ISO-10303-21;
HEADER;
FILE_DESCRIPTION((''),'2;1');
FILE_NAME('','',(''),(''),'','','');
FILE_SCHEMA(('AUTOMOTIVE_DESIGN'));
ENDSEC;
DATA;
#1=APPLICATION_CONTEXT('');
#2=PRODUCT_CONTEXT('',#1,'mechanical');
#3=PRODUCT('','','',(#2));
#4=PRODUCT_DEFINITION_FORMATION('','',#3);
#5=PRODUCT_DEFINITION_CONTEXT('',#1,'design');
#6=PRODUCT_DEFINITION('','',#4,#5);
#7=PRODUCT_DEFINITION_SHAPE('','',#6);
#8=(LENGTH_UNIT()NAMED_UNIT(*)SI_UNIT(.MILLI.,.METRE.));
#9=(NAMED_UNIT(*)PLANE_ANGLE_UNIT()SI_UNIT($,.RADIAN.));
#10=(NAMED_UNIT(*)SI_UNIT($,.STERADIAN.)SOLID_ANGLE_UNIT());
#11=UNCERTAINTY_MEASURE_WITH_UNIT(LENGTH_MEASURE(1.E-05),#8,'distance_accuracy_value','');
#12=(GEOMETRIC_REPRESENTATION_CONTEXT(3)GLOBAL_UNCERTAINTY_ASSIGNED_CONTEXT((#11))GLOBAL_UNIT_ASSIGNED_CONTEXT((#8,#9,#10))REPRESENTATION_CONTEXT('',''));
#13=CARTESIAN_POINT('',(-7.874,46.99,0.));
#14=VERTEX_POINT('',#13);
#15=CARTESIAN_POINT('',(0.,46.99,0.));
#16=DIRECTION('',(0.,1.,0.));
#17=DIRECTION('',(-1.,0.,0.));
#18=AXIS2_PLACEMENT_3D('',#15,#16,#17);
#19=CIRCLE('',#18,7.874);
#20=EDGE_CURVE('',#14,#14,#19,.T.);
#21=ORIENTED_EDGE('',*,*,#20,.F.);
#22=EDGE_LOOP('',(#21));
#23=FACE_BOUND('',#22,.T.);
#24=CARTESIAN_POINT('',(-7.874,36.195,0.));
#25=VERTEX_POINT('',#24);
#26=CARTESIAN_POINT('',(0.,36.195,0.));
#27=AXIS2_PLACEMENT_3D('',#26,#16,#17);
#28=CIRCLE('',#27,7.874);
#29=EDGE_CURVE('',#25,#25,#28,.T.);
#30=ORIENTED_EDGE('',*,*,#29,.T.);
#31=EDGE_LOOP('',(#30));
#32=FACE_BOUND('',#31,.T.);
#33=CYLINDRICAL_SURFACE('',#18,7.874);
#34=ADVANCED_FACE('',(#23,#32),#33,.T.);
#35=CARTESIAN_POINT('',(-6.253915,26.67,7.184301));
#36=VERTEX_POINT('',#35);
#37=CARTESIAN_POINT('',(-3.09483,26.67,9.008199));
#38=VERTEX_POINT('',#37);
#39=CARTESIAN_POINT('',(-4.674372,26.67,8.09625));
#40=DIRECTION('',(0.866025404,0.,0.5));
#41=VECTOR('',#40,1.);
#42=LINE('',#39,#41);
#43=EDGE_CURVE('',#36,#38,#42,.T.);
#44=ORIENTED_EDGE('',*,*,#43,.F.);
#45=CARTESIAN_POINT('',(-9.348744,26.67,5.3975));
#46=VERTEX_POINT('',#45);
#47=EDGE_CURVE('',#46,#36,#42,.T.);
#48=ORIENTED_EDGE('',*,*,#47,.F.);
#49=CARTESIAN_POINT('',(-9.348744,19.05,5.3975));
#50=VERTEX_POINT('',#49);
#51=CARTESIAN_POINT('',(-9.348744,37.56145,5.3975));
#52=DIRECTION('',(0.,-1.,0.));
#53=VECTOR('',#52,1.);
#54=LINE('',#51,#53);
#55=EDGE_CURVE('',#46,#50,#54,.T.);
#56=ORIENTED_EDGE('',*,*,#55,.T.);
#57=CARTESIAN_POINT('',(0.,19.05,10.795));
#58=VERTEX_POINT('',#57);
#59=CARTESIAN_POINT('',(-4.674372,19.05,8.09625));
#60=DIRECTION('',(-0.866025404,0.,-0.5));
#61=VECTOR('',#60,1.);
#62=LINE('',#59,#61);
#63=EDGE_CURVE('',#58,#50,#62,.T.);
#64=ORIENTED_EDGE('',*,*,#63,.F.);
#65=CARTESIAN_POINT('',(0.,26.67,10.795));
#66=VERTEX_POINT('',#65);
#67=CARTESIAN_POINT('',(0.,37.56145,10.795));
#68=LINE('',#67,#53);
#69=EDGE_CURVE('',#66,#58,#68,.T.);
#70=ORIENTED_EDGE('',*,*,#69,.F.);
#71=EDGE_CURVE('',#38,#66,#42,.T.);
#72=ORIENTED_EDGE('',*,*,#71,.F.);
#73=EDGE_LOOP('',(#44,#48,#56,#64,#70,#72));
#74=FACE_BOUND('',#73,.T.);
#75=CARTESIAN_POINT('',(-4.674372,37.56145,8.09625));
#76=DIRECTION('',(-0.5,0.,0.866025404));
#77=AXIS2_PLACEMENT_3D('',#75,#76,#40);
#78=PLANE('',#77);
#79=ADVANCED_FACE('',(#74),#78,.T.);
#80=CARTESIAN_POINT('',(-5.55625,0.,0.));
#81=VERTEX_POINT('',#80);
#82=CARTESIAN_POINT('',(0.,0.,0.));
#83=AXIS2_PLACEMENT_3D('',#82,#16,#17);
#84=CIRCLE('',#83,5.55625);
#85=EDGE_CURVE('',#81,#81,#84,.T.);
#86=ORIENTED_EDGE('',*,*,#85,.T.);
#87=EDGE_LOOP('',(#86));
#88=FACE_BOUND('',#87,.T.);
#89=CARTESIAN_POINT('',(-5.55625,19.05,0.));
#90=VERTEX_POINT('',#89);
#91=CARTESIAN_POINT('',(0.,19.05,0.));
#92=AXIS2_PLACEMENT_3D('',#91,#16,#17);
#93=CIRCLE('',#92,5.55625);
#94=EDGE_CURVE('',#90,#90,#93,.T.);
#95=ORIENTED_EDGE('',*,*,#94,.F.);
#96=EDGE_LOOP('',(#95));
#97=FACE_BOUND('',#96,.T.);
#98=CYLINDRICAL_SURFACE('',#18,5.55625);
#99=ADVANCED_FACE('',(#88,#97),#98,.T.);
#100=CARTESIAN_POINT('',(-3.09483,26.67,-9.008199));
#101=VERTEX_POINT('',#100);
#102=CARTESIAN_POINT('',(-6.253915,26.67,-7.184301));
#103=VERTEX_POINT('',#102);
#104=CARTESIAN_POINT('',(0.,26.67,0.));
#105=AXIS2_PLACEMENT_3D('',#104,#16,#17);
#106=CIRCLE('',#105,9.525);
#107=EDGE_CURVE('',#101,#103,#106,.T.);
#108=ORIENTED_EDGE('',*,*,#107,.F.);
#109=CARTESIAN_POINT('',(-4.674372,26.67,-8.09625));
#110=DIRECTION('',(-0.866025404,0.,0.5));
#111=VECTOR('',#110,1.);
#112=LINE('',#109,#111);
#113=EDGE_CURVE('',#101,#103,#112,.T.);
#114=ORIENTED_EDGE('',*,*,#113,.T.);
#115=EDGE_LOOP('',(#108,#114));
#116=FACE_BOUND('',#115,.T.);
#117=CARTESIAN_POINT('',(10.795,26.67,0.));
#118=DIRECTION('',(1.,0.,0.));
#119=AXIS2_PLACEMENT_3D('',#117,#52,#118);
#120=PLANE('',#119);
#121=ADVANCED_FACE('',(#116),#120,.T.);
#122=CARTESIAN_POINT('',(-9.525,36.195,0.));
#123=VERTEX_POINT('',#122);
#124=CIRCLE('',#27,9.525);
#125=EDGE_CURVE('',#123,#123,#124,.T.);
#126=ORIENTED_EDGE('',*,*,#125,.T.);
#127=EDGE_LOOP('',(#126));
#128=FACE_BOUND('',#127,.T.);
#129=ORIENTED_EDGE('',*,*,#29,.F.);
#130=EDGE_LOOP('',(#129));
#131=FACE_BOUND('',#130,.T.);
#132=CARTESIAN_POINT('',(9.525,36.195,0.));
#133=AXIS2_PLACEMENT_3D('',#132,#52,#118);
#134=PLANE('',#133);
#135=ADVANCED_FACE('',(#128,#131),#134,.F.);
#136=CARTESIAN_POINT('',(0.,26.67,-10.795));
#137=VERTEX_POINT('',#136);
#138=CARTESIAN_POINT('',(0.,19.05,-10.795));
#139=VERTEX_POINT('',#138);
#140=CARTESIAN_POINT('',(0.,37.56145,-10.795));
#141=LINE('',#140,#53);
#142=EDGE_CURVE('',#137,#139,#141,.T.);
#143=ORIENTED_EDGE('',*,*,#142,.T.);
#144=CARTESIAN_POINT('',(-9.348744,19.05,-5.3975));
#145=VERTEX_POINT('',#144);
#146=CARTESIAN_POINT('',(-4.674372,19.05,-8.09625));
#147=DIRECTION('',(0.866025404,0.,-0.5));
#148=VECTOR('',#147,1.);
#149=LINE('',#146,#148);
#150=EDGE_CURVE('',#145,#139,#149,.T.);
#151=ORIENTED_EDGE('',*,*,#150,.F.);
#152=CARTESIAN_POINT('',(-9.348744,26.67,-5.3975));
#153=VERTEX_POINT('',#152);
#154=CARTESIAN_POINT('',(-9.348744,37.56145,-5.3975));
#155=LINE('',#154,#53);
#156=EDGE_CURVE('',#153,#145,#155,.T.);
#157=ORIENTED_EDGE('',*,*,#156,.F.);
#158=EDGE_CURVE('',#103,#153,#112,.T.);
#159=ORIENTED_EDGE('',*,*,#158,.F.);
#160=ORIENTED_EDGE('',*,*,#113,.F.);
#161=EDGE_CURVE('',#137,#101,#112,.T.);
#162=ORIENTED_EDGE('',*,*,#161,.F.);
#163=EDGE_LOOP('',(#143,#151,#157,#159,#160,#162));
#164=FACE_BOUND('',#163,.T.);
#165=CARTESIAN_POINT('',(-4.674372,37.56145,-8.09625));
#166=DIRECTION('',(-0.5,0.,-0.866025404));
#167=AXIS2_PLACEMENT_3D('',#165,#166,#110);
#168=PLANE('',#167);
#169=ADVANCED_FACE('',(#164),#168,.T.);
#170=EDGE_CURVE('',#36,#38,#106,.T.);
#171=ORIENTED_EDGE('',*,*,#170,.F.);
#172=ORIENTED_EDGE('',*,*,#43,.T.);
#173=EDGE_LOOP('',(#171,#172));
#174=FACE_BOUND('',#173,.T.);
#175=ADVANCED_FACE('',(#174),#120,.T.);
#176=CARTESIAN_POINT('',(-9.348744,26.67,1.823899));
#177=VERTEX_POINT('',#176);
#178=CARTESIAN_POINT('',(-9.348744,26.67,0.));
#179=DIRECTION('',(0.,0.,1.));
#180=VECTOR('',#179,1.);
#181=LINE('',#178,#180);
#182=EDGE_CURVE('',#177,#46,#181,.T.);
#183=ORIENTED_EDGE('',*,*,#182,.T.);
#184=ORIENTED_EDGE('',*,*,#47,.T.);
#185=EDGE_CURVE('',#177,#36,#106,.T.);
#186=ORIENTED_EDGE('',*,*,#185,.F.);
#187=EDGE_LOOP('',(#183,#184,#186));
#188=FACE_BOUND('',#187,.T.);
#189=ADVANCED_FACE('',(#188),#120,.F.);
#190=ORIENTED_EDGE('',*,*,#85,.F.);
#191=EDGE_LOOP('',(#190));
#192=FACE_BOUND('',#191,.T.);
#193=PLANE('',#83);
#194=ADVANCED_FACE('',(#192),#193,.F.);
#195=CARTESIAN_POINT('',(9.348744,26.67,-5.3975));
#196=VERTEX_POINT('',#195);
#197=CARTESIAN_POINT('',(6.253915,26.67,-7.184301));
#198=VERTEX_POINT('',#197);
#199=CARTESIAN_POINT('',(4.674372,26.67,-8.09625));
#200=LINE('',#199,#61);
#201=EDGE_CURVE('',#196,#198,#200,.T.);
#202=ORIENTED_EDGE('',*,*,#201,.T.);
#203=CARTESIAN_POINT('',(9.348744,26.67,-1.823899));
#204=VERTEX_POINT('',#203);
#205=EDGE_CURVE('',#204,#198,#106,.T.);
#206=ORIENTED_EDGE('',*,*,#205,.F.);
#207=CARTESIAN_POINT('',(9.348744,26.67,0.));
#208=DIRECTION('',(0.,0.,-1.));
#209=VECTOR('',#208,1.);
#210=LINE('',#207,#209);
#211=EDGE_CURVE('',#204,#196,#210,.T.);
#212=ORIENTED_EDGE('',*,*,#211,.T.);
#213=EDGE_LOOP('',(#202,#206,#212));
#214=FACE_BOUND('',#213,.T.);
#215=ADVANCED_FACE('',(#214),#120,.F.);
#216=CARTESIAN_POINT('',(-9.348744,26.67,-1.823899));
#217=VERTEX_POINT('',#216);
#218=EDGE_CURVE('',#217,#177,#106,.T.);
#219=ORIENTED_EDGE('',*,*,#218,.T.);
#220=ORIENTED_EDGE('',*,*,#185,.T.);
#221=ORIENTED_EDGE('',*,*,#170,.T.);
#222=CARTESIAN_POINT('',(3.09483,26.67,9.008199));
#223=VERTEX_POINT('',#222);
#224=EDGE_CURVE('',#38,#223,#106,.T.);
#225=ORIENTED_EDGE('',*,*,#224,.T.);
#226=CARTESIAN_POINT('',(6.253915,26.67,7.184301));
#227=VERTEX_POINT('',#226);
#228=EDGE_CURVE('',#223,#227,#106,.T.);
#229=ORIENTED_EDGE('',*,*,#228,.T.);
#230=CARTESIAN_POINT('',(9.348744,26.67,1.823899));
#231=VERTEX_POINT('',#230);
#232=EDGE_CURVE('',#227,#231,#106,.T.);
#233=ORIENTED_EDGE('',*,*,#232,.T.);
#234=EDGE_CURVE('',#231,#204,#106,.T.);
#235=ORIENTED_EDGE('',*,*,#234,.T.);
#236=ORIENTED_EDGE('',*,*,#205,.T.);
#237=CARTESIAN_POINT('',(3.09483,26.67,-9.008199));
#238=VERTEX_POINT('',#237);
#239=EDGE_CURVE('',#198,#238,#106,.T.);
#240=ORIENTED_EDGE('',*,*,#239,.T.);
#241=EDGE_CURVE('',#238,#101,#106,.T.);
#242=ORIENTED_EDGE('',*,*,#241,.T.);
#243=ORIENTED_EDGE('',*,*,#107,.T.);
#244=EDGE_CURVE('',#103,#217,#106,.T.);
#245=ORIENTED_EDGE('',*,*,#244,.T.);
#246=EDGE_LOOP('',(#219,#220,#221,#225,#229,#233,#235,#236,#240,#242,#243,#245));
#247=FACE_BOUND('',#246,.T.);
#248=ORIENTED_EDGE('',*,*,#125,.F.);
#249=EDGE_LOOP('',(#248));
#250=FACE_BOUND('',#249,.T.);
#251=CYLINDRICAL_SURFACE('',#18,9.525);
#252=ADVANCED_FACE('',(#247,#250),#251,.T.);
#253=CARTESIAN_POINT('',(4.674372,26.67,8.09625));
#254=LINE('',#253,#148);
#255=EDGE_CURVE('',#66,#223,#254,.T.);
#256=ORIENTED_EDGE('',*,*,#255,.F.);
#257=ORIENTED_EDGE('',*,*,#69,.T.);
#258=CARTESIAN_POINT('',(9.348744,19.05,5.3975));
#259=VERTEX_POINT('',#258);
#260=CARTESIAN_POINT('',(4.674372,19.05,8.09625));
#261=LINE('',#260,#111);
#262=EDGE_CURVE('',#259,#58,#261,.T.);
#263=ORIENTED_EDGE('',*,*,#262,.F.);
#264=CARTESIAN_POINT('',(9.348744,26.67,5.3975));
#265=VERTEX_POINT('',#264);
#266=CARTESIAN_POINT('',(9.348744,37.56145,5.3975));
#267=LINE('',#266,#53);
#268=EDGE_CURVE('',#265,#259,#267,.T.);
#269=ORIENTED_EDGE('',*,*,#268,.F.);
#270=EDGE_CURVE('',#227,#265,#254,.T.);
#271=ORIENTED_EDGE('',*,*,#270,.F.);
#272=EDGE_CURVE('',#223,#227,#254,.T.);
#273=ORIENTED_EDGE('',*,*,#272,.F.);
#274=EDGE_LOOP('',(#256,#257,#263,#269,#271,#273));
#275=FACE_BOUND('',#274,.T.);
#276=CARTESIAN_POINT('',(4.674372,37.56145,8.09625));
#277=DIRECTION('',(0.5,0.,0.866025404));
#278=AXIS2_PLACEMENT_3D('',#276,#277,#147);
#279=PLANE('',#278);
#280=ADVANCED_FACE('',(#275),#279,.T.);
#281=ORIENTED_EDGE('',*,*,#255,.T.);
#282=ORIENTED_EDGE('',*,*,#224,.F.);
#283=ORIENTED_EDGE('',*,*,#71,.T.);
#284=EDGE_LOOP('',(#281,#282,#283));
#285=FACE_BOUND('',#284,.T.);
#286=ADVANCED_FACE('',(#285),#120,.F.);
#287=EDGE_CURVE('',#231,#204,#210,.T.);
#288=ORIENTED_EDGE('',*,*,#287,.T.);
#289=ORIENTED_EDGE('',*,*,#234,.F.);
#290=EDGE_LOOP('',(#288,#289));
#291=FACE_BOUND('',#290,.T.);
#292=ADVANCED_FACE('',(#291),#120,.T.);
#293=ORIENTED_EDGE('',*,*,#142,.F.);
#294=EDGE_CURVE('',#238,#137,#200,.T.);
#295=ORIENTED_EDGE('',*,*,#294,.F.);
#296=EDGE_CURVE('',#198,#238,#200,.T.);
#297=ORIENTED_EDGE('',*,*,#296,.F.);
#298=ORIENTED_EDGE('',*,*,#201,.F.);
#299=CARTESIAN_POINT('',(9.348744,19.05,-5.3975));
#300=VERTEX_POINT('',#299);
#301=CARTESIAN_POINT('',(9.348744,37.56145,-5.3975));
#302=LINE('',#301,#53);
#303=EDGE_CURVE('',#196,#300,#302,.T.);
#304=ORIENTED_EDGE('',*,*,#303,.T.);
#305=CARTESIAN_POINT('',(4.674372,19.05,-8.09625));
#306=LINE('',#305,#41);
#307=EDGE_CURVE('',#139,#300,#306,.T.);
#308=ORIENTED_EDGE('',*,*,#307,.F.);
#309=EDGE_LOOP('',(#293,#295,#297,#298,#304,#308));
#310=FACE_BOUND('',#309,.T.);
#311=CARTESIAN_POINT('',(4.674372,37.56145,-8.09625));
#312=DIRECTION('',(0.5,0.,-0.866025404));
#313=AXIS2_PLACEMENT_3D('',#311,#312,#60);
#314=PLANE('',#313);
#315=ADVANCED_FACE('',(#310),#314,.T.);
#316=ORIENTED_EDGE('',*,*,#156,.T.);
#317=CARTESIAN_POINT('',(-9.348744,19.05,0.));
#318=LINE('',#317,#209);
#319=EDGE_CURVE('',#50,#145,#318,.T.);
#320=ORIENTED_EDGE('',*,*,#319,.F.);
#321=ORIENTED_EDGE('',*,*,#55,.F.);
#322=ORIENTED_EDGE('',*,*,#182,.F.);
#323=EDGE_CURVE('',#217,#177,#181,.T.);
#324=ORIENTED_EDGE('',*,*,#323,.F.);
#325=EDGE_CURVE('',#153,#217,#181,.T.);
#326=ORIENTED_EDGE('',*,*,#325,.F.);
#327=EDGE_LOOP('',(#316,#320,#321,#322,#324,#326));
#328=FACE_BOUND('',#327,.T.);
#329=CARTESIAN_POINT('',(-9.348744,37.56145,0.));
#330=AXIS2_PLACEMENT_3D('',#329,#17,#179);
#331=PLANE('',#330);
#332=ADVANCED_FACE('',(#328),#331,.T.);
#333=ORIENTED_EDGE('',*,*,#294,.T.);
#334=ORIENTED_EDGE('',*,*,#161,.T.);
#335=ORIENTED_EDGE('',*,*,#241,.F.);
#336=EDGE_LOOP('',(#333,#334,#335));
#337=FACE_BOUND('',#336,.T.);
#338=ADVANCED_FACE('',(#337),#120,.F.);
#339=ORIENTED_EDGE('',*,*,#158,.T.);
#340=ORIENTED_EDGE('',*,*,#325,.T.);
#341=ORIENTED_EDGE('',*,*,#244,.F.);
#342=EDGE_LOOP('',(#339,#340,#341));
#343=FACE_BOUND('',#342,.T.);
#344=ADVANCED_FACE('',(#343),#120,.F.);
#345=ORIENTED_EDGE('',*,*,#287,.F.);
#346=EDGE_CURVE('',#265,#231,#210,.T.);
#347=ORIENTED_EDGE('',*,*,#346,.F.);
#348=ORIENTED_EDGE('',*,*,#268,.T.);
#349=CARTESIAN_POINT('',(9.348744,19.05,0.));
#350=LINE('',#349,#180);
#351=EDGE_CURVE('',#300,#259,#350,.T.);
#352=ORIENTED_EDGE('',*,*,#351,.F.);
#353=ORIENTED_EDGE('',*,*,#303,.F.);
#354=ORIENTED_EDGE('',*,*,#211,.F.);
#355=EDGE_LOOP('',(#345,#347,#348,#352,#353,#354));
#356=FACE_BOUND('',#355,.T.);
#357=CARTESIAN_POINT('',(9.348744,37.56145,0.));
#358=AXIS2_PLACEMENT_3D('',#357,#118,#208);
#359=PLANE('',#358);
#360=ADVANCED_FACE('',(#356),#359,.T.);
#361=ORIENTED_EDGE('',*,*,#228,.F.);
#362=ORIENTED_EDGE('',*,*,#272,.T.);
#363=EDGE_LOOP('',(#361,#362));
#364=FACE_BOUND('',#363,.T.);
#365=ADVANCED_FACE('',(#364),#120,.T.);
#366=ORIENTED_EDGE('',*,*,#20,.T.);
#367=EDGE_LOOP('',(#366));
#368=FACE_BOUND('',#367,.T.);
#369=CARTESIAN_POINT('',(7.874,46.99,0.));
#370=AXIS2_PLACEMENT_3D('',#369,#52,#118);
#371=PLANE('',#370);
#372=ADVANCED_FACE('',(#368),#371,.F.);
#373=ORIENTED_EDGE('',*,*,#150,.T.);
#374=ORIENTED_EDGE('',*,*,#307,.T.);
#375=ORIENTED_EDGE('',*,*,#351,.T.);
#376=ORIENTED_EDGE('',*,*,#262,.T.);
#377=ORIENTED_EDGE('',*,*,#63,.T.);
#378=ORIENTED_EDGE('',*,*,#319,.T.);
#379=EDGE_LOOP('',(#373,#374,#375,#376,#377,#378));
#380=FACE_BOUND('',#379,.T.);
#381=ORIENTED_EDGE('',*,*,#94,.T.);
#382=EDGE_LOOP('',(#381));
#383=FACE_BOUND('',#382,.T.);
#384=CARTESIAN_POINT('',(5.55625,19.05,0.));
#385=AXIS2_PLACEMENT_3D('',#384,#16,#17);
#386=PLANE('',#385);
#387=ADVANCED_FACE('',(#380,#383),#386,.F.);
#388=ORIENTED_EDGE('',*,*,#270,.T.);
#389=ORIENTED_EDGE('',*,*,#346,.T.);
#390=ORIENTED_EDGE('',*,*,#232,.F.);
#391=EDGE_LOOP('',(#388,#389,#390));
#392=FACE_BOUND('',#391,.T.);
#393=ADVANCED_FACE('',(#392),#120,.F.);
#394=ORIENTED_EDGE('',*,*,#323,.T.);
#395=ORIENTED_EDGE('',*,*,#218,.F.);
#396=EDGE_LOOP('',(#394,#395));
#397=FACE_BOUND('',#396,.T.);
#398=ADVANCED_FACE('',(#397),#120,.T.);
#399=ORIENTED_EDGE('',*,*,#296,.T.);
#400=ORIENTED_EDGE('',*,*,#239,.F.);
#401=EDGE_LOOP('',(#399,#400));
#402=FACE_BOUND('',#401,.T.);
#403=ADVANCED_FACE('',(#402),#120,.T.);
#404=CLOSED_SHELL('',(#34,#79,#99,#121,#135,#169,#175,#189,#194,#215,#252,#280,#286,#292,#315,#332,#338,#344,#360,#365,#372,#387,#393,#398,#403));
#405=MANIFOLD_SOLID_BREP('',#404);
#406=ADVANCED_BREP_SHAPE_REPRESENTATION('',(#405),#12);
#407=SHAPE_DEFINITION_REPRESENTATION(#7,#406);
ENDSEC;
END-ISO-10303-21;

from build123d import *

# Parameters (mm, degrees)
CUT_EXTRUDE1_DEPTH = 7.62


with BuildPart() as part:
    # Sketch1 → Revolve1 (revolve)
    with BuildSketch(Plane.XY):
        Polygon((0, 0), (5.55625, 0), (5.55625, 19.05), (10.795, 19.05), (10.795, 26.67), (9.525, 26.67), (9.525, 36.195), (7.874, 36.195), (7.874, 46.99), (0, 46.99), align=None)
    revolve(axis=Axis((0, 46.99, 0), (0, -1, 0)))

    # Sketch2 → Cut-Extrude1 (cut)
    with BuildSketch(Plane.XZ.offset(-19.05)):
        with BuildLine():
            Line((-9.348744234, 5.3975), (0, 10.795))
            ThreePointArc((0, 10.795), (-5.3975, 9.348744234), (-9.348744234, 5.3975))
        make_face()
        with BuildLine():
            ThreePointArc((9.348744234, 5.3975), (5.3975, 9.348744234), (0, 10.795))
            Line((0, 10.795), (9.348744234, 5.3975))
        make_face()
        with BuildLine():
            ThreePointArc((10.795, 0), (10.427169295, 2.793951592), (9.348744234, 5.3975))
            Line((9.348744234, 5.3975), (9.348744234, -5.3975))
            ThreePointArc((9.348744234, -5.3975), (10.427169295, -2.793951592), (10.795, 0))
        make_face()
        with BuildLine():
            ThreePointArc((0, -10.795), (5.3975, -9.348744234), (9.348744234, -5.3975))
            Line((9.348744234, -5.3975), (0, -10.795))
        make_face()
        with BuildLine():
            Line((0, -10.795), (-9.348744234, -5.3975))
            ThreePointArc((-9.348744234, -5.3975), (-5.3975, -9.348744234), (0, -10.795))
        make_face()
        with BuildLine():
            Line((-9.348744234, -5.3975), (-9.348744234, 5.3975))
            ThreePointArc((-9.348744234, 5.3975), (-10.795, 0), (-9.348744234, -5.3975))
        make_face()
    extrude(amount=-CUT_EXTRUDE1_DEPTH, mode=Mode.SUBTRACT)


solid = part.part
